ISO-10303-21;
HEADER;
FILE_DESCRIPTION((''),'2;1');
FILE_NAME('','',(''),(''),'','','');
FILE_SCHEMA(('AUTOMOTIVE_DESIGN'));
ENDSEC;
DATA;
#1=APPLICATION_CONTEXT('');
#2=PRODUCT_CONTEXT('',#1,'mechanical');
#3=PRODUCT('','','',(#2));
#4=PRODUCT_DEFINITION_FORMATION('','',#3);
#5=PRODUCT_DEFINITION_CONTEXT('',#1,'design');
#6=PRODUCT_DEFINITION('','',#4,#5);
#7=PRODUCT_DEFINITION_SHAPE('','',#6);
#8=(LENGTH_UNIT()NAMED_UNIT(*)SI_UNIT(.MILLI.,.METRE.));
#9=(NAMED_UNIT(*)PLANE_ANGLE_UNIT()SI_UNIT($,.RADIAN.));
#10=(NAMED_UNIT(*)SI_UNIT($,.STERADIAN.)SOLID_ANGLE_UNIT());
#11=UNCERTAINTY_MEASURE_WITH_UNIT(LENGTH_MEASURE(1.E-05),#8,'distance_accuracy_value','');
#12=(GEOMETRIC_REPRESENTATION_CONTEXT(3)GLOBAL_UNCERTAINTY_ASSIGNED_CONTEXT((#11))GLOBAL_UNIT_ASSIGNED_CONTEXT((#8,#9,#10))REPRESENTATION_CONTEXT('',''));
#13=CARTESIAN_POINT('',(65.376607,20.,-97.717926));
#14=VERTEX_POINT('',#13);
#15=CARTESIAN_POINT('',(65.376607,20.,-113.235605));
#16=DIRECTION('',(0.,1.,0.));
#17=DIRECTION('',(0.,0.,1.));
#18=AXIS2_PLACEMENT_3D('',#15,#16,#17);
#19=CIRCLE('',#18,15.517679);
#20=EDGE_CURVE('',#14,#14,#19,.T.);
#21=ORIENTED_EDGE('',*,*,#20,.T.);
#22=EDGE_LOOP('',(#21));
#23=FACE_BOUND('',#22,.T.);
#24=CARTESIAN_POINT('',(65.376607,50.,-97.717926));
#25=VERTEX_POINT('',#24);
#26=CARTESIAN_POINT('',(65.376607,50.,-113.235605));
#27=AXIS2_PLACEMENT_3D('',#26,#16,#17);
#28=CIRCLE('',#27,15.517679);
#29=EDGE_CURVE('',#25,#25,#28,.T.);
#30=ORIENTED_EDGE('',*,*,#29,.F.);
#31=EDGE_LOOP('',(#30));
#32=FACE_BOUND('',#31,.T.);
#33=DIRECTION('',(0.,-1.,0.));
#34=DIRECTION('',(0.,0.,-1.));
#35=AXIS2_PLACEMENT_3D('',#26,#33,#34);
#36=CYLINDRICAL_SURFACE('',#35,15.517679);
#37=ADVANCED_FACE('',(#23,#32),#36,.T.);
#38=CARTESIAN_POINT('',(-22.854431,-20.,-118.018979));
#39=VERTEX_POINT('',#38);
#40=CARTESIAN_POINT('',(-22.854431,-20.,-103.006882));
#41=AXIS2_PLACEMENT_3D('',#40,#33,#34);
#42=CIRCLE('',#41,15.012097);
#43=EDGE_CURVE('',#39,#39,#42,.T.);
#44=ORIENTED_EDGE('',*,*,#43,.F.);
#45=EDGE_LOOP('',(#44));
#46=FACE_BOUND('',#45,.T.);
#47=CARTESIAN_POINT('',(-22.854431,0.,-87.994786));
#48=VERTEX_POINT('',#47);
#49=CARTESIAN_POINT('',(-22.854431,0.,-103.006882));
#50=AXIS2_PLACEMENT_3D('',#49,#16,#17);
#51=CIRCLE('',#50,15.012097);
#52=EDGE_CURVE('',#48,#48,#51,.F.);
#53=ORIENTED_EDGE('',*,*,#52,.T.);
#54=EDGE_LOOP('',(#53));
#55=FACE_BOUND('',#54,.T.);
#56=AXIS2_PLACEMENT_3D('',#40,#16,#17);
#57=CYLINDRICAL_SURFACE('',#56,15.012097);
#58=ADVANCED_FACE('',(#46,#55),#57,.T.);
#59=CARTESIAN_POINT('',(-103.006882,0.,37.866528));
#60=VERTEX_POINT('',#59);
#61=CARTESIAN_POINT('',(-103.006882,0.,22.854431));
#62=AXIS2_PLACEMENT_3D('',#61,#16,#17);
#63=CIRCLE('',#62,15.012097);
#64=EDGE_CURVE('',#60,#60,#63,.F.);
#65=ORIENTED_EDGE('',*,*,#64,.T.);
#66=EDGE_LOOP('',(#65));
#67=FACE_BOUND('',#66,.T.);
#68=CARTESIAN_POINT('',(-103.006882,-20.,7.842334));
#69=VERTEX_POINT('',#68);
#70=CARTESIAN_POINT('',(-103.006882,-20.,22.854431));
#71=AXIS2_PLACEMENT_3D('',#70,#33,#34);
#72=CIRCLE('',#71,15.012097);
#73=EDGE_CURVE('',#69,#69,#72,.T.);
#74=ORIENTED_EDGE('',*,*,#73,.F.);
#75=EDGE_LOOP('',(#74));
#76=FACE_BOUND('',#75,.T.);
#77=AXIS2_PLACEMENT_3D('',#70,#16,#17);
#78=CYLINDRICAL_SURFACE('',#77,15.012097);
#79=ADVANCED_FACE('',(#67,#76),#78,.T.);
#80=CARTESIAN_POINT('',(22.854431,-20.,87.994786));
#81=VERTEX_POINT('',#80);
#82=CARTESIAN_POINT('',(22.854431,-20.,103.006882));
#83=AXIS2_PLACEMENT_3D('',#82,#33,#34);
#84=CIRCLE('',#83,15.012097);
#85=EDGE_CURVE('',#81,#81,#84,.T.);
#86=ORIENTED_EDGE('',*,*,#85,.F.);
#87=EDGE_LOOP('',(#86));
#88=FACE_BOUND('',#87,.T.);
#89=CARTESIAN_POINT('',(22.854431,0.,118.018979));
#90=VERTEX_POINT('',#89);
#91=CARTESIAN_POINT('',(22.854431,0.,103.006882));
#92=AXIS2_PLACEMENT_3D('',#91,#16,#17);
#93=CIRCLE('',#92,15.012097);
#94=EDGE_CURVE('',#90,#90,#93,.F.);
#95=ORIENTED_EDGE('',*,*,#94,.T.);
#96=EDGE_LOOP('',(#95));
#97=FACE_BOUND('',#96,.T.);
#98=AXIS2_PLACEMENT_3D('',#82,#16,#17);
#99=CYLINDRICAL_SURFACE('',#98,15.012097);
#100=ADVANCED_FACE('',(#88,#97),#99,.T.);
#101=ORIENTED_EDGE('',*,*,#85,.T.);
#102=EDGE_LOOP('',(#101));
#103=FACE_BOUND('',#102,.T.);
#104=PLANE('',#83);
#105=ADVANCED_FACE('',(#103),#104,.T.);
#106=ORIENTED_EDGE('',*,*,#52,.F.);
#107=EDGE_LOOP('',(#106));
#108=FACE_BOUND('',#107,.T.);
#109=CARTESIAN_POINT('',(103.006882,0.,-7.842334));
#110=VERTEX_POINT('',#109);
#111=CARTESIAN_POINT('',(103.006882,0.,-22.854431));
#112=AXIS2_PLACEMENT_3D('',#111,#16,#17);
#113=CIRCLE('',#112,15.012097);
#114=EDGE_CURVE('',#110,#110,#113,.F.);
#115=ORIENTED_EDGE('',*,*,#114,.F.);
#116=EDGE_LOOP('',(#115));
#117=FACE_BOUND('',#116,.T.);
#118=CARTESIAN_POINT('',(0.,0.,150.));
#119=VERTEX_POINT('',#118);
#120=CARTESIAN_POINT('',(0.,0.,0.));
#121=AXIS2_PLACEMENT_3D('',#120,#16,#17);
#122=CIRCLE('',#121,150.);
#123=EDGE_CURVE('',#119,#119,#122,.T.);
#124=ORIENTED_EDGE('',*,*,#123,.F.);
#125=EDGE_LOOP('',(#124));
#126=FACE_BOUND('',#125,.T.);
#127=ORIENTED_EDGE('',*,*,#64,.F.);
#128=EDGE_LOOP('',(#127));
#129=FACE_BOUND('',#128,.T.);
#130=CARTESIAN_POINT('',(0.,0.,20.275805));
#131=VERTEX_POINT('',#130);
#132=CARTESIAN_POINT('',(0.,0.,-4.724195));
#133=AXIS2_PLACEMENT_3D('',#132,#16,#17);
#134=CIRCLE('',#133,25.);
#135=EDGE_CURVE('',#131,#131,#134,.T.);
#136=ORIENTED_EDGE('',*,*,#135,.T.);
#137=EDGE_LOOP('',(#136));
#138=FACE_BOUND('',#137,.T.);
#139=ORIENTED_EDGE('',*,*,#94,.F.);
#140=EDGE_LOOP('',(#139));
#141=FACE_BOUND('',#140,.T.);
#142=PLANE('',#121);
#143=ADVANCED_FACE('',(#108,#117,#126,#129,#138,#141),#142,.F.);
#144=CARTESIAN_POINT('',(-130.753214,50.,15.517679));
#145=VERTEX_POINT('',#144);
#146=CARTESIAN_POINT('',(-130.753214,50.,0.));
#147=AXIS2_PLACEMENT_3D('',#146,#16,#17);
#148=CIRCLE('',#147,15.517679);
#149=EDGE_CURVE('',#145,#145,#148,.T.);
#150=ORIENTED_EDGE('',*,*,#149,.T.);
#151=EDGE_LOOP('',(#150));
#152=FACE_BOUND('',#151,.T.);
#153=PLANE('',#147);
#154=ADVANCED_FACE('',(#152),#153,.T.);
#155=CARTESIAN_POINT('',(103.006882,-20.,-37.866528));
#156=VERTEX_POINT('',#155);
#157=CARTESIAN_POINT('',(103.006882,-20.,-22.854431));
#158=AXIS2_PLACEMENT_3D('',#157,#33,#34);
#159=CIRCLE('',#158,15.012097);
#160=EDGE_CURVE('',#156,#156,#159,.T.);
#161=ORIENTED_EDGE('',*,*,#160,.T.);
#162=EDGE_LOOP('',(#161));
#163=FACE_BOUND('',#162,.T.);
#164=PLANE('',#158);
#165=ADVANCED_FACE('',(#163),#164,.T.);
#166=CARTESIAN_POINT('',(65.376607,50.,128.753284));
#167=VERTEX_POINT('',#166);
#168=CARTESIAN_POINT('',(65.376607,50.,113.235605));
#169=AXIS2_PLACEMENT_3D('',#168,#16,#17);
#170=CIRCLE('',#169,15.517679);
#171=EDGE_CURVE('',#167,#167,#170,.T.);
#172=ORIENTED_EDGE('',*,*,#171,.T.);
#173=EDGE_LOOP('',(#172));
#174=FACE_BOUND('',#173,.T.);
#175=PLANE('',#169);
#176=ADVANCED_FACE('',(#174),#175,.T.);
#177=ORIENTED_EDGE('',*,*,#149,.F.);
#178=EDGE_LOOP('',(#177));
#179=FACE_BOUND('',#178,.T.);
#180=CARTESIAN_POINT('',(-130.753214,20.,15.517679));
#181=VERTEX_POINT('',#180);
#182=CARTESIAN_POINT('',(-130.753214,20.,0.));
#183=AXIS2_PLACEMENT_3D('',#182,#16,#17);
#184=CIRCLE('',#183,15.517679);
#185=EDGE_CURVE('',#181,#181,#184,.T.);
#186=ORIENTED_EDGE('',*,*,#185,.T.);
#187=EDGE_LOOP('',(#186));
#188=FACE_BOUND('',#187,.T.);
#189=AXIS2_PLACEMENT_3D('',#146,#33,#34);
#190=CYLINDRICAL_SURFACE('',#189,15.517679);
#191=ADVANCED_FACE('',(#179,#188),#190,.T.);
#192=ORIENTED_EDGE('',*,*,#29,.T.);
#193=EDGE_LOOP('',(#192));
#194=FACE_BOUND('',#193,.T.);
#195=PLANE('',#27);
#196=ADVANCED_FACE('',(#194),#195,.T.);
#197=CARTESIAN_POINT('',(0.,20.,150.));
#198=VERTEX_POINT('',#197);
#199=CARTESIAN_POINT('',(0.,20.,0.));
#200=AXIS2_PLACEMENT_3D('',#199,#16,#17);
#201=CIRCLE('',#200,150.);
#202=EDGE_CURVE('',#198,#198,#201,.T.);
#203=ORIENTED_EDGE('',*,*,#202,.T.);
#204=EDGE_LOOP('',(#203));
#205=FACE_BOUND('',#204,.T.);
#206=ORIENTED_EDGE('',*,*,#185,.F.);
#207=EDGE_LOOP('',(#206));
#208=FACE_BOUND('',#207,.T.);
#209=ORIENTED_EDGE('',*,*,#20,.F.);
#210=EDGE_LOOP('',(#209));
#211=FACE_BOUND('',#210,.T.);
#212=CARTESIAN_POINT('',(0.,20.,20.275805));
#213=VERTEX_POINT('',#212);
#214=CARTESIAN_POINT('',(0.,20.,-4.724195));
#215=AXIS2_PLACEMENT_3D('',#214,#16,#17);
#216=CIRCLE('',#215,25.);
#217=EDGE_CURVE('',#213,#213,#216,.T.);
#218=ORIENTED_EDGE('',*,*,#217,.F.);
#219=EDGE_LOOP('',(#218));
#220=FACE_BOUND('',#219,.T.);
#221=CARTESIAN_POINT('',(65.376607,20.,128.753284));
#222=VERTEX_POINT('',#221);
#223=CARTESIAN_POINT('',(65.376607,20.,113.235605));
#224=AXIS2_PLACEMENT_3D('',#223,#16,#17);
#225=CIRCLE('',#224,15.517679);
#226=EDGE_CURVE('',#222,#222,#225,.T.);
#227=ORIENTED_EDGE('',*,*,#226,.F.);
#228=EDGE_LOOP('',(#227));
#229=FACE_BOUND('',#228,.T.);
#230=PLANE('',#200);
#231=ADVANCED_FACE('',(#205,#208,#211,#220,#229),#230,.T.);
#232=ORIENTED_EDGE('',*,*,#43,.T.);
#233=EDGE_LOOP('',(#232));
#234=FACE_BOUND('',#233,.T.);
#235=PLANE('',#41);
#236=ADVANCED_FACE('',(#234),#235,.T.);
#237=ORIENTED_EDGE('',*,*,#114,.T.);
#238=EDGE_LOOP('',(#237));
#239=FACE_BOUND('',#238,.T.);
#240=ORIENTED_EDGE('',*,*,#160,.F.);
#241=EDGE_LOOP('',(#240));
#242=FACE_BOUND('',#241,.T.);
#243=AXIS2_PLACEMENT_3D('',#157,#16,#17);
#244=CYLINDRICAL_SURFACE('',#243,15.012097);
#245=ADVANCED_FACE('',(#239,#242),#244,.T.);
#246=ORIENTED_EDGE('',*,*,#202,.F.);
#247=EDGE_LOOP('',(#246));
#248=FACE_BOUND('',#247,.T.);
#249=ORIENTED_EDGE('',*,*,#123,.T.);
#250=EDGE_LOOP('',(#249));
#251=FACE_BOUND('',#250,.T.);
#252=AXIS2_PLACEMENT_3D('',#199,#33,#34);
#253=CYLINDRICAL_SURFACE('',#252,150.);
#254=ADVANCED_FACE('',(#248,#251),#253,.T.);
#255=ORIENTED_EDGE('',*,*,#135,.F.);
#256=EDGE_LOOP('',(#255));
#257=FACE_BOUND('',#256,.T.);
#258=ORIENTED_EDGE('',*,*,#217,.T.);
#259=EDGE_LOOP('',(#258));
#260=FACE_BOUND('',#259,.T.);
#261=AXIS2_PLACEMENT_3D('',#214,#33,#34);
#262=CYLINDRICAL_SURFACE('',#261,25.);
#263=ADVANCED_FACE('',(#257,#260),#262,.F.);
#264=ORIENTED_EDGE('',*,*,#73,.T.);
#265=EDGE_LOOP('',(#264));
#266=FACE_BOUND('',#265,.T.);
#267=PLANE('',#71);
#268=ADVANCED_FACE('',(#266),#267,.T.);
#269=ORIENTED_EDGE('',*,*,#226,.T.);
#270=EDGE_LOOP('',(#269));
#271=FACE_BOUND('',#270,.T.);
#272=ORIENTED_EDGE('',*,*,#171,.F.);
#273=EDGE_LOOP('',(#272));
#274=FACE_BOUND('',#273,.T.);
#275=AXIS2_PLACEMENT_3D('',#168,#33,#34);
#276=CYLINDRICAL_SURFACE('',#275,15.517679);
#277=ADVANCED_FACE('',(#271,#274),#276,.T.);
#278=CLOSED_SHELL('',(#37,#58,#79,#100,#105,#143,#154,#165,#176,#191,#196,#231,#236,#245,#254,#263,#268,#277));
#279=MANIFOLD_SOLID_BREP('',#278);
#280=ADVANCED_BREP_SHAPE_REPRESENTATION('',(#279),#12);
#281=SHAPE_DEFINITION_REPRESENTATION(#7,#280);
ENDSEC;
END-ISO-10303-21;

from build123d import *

# Parameters (mm, degrees)
SKETCH1_R           = 150
SKETCH1_R_2         = 25
BOSS_EXTRUDE1_DEPTH = 20
SKETCH2_R           = 15.517679246
BOSS_EXTRUDE2_DEPTH = 30
SKETCH3_R           = 15.012096723
BOSS_EXTRUDE3_DEPTH = 20


with BuildPart() as part:
    # Sketch1 → Boss-Extrude1 (new body)
    with BuildSketch(Plane(origin=(0, 0, 0), x_dir=(1, 0, 0), z_dir=(0, 1, 0))):
        with Locations(Location((0, 0, 0), (0, 0, 270))):
            Circle(SKETCH1_R)
        with Locations(Location((0, 4.724194593, 0), (0, 0, 270))):
            Circle(SKETCH1_R_2, mode=Mode.SUBTRACT)
    extrude(amount=BOSS_EXTRUDE1_DEPTH)

    # Sketch2 → Boss-Extrude2 (add)
    with BuildSketch(Plane(origin=(0, 20, 0), x_dir=(1, 0, 0), z_dir=(0, 1, 0))):
        with Locations(Location((-130.753213973, 0, 0), (0, 0, 270))):
            Circle(SKETCH2_R)
        with Locations(Location((65.376606987, 113.235604927, 0), (0, 0, 270))):
            Circle(SKETCH2_R)
        with Locations(Location((65.376606987, -113.235604927, 0), (0, 0, 270))):
            Circle(SKETCH2_R)
    extrude(amount=BOSS_EXTRUDE2_DEPTH)

    # Sketch3 → Boss-Extrude3 (add)
    with BuildSketch(Plane.XZ):
        with Locations(Location((-103.00688249, 22.854430971, 0), (0, 0, 90))):
            Circle(SKETCH3_R)
        with Locations(Location((22.854430971, 103.00688249, 0), (0, 0, 90))):
            Circle(SKETCH3_R)
        with Locations(Location((103.00688249, -22.854430971, 0), (0, 0, 90))):
            Circle(SKETCH3_R)
        with Locations(Location((-22.854430971, -103.00688249, 0), (0, 0, 90))):
            Circle(SKETCH3_R)
    extrude(amount=BOSS_EXTRUDE3_DEPTH)


solid = part.part
